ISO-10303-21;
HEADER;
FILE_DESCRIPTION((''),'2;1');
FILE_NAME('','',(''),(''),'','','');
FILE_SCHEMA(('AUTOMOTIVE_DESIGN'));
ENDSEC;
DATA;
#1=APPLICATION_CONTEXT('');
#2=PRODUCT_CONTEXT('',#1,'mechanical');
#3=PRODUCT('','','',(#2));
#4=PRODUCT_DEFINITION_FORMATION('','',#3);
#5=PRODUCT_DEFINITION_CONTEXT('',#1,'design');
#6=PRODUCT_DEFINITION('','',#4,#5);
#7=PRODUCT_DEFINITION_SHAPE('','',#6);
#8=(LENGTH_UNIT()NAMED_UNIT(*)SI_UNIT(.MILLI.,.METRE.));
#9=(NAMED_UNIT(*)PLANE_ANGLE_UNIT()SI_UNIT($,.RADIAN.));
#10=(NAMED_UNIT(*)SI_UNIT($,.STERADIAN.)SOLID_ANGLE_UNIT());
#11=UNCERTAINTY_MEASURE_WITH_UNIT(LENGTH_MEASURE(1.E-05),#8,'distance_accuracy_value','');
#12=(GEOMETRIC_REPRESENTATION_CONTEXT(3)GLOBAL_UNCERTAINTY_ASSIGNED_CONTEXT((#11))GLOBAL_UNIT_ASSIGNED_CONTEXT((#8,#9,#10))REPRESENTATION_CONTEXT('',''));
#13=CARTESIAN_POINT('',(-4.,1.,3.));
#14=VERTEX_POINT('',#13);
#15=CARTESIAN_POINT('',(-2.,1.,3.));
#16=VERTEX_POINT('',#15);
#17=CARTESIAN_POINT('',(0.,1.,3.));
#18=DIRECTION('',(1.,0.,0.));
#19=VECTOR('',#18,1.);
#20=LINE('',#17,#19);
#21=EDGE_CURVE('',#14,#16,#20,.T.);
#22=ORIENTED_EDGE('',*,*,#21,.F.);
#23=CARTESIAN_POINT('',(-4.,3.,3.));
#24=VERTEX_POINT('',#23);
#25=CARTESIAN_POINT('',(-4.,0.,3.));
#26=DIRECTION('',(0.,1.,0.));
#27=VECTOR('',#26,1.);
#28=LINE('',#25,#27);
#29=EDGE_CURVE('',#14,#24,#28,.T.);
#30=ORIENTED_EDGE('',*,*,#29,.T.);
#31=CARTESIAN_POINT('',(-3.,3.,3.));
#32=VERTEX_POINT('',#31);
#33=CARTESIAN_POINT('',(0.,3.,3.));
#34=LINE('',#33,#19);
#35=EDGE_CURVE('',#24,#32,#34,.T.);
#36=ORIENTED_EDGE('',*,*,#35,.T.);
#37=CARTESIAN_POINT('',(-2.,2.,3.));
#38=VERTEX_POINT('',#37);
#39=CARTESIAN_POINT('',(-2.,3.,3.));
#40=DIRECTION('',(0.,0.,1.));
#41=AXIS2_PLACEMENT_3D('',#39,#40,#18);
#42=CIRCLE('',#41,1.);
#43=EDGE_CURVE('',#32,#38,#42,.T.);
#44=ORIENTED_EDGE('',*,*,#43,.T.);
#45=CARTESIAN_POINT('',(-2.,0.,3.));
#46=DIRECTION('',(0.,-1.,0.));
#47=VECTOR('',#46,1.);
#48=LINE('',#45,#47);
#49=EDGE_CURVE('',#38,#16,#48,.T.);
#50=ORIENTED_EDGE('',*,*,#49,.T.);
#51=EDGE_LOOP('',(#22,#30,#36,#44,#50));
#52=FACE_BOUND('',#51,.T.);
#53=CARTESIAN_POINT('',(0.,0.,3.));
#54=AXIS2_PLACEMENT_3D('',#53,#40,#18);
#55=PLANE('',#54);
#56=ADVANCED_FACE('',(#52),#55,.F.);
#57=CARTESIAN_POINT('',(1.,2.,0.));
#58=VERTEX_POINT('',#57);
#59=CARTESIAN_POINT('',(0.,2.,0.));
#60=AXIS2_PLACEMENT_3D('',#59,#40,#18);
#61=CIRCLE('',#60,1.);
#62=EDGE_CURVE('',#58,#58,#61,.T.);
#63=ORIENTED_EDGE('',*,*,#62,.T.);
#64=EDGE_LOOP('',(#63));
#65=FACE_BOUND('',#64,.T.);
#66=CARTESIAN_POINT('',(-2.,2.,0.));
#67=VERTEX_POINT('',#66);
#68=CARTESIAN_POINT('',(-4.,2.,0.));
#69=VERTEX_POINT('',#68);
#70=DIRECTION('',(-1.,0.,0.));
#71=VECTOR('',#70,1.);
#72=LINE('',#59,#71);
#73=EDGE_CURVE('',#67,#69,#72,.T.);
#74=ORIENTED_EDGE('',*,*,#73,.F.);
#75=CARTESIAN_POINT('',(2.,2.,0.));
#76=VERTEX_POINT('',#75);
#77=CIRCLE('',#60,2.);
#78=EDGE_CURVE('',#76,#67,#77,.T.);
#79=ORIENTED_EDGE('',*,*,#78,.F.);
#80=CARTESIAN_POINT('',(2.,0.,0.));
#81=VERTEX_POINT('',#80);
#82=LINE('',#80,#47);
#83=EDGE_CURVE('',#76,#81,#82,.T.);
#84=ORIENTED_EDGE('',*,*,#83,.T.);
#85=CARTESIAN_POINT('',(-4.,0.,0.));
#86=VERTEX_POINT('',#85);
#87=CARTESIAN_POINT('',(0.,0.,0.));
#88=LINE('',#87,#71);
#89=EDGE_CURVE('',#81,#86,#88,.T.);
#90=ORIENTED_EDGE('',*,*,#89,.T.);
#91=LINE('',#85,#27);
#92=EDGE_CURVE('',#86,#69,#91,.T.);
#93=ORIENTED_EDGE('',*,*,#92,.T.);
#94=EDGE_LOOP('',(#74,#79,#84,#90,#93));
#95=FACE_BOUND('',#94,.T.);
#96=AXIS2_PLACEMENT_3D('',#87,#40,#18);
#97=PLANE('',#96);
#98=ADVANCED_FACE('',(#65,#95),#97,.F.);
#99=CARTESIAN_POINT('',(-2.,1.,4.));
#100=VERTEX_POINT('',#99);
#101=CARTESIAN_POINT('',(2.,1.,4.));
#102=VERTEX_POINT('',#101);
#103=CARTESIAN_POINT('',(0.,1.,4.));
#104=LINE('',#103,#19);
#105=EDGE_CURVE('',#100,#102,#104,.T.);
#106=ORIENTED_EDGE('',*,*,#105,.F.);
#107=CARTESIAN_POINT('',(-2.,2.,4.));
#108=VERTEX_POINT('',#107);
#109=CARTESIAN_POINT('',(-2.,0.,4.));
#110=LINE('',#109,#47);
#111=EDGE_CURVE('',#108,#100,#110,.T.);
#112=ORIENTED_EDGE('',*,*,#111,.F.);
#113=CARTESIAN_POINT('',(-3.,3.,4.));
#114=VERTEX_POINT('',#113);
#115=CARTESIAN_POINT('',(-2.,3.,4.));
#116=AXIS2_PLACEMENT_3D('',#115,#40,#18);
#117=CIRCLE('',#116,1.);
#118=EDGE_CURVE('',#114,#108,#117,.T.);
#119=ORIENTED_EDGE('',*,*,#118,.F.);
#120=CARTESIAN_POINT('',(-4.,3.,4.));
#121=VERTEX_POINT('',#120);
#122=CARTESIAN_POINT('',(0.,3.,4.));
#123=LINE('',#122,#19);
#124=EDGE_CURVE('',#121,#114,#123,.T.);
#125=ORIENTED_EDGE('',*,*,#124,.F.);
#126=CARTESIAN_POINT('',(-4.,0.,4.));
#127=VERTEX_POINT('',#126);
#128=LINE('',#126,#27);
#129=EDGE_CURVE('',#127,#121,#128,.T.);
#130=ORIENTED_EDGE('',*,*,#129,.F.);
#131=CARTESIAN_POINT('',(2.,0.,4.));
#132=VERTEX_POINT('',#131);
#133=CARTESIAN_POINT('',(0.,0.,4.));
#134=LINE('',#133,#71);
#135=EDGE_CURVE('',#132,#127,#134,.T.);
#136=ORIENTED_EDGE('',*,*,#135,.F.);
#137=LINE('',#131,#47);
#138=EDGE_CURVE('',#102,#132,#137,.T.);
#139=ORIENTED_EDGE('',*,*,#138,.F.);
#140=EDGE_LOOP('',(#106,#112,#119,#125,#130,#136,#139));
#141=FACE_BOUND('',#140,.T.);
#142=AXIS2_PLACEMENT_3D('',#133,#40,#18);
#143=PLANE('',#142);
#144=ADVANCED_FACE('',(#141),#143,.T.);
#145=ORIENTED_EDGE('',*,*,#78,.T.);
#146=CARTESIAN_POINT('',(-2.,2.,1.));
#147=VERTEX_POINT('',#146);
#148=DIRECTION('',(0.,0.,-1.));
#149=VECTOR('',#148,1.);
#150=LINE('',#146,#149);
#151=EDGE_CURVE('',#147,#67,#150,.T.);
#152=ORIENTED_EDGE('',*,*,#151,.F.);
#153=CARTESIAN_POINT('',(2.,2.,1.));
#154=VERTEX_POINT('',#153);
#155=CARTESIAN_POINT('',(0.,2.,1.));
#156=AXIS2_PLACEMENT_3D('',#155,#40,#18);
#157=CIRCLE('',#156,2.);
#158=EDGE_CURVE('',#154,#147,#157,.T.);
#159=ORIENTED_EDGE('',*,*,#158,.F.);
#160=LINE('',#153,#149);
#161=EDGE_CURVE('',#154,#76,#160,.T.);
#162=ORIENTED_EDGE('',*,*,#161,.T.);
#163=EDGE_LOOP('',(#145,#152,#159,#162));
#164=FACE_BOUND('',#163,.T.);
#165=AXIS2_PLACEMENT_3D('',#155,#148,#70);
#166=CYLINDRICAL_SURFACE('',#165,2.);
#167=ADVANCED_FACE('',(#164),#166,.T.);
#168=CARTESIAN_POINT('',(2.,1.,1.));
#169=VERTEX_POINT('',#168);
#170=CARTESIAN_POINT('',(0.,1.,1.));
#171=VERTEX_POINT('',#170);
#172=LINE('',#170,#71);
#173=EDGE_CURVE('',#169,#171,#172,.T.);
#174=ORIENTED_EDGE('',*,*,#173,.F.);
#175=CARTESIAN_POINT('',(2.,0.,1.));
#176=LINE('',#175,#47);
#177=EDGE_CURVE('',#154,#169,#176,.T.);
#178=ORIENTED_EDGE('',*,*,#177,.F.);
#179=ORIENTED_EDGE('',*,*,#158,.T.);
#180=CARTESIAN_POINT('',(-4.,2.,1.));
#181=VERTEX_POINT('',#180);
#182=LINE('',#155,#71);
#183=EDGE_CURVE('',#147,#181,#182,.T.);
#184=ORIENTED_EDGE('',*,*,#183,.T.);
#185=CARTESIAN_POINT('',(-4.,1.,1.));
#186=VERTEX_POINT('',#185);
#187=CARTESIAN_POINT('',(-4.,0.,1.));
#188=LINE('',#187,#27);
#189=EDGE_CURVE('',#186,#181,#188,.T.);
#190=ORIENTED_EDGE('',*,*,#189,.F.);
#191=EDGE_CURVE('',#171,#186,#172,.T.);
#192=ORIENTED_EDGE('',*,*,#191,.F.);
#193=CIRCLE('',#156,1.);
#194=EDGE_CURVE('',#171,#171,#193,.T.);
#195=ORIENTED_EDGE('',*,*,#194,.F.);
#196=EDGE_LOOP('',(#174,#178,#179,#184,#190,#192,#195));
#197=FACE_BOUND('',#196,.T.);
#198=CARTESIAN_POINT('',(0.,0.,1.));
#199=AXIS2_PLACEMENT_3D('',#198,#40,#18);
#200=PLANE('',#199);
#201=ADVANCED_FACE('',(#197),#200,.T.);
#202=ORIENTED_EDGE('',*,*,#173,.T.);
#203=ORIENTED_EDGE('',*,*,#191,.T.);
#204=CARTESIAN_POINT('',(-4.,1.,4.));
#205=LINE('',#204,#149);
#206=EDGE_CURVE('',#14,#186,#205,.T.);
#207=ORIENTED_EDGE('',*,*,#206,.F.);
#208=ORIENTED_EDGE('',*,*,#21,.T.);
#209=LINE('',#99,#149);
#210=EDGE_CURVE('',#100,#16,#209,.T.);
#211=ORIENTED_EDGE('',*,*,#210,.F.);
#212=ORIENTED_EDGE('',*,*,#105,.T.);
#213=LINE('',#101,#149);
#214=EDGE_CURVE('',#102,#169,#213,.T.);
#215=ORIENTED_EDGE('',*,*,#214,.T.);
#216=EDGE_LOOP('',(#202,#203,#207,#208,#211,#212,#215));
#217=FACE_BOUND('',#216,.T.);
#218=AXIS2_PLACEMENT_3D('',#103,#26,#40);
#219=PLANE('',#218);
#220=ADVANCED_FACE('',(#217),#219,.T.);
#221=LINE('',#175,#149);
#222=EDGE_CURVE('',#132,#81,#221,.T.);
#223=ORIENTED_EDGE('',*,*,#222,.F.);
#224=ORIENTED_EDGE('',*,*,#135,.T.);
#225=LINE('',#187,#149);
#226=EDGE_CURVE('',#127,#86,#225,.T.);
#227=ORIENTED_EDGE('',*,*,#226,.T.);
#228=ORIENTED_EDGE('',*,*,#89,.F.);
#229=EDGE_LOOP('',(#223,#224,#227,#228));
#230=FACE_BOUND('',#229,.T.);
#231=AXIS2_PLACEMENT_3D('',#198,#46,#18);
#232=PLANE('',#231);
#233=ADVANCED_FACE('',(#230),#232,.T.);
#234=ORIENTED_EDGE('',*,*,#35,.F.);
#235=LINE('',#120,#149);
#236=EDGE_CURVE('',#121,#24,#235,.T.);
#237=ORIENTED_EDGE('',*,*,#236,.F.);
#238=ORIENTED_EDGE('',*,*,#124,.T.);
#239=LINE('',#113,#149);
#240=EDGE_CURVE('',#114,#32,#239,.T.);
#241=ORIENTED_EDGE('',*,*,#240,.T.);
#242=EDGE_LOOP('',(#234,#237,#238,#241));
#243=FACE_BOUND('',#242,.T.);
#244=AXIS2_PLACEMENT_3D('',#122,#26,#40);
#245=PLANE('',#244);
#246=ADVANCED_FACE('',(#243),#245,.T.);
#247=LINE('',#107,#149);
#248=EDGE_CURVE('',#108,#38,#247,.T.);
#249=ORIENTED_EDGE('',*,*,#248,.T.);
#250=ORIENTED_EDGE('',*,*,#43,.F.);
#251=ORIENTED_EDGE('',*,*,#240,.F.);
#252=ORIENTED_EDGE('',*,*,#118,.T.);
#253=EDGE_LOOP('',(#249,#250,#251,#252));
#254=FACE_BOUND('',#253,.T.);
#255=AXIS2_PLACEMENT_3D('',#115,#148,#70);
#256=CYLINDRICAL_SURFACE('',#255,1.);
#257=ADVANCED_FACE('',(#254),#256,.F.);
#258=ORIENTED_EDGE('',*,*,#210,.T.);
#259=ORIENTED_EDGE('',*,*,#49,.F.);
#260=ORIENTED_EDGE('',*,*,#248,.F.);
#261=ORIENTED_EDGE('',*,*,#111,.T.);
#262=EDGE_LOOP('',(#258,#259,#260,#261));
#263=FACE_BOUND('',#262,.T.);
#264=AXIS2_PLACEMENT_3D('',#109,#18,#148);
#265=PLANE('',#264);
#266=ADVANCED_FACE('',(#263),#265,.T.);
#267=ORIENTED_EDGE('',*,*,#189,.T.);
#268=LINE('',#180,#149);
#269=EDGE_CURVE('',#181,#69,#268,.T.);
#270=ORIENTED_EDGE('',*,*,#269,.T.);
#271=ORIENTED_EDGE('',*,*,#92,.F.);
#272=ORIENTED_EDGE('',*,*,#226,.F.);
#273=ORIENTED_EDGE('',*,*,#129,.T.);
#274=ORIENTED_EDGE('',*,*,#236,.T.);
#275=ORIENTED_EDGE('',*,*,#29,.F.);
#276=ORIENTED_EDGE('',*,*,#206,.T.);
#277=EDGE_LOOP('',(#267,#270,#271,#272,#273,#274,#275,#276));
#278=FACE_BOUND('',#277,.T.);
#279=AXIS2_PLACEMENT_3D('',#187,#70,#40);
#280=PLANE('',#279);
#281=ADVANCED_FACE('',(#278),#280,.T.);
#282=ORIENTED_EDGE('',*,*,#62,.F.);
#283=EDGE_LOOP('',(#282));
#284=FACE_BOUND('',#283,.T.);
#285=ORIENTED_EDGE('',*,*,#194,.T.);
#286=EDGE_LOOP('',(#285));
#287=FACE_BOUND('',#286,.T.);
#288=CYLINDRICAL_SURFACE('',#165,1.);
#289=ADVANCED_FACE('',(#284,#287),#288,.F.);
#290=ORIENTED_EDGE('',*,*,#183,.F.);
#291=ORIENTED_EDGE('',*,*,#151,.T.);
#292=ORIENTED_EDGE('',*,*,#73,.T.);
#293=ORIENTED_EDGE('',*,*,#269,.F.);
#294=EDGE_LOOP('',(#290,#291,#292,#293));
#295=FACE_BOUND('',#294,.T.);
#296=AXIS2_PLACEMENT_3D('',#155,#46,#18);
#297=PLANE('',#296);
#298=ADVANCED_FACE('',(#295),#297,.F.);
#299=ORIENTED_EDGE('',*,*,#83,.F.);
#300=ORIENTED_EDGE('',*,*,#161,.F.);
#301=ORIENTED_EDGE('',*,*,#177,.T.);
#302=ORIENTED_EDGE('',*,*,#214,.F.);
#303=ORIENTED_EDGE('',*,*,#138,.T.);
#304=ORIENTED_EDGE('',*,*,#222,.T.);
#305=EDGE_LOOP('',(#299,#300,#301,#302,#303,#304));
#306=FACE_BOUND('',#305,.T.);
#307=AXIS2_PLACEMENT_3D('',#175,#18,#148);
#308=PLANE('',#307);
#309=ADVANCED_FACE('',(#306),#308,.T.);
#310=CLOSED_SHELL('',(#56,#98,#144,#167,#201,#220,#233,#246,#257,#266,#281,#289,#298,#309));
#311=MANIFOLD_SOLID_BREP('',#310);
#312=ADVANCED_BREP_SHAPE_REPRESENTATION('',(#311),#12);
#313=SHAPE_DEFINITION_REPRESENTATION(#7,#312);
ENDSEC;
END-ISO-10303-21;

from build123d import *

# Parameters (mm, degrees)
SKETCH_1_R      = 1
EXTRUDE_1_DEPTH = 1
SKETCH_1_6_W    = 6
SKETCH_1_6_H    = 1
EXTRUDE_3_DEPTH = 4
EXTRUDE_START   = 3
EXTRUDE_4_DEPTH = 1


with BuildPart() as part:
    # 草圖1 → 填料-伸長1 (new body)
    with BuildSketch(Plane.XY):
        with BuildLine():
            ThreePointArc((2, 2), (0, 4), (-2, 2))
            Line((-2, 2), (-4, 2))
            Line((-4, 2), (-4, 0))
            Line((-4, 0), (2, 0))
            Line((2, 0), (2, 2))
        make_face()
        with Locations((0, 2)):
            Circle(SKETCH_1_R, mode=Mode.SUBTRACT)
    extrude(amount=EXTRUDE_1_DEPTH)

    # 草圖1<6> → 填料-伸長3 (add)
    with BuildSketch(Plane.XY):
        with Locations((-1, 0.5)):
            Rectangle(SKETCH_1_6_W, SKETCH_1_6_H)
    extrude(amount=EXTRUDE_3_DEPTH)

    # 草圖1<7> → 填料-伸長4 (add)
    with BuildSketch(Plane.XY.offset(EXTRUDE_START)):
        with BuildLine():
            Line((-2, 1), (-2, 2))
            ThreePointArc((-2, 2), (-2.707106781, 2.292893219), (-3, 3))
            Line((-3, 3), (-4, 3))
            Line((-4, 3), (-4, 1))
            Line((-4, 1), (-2, 1))
        make_face()
    extrude(amount=EXTRUDE_4_DEPTH)


solid = part.part
